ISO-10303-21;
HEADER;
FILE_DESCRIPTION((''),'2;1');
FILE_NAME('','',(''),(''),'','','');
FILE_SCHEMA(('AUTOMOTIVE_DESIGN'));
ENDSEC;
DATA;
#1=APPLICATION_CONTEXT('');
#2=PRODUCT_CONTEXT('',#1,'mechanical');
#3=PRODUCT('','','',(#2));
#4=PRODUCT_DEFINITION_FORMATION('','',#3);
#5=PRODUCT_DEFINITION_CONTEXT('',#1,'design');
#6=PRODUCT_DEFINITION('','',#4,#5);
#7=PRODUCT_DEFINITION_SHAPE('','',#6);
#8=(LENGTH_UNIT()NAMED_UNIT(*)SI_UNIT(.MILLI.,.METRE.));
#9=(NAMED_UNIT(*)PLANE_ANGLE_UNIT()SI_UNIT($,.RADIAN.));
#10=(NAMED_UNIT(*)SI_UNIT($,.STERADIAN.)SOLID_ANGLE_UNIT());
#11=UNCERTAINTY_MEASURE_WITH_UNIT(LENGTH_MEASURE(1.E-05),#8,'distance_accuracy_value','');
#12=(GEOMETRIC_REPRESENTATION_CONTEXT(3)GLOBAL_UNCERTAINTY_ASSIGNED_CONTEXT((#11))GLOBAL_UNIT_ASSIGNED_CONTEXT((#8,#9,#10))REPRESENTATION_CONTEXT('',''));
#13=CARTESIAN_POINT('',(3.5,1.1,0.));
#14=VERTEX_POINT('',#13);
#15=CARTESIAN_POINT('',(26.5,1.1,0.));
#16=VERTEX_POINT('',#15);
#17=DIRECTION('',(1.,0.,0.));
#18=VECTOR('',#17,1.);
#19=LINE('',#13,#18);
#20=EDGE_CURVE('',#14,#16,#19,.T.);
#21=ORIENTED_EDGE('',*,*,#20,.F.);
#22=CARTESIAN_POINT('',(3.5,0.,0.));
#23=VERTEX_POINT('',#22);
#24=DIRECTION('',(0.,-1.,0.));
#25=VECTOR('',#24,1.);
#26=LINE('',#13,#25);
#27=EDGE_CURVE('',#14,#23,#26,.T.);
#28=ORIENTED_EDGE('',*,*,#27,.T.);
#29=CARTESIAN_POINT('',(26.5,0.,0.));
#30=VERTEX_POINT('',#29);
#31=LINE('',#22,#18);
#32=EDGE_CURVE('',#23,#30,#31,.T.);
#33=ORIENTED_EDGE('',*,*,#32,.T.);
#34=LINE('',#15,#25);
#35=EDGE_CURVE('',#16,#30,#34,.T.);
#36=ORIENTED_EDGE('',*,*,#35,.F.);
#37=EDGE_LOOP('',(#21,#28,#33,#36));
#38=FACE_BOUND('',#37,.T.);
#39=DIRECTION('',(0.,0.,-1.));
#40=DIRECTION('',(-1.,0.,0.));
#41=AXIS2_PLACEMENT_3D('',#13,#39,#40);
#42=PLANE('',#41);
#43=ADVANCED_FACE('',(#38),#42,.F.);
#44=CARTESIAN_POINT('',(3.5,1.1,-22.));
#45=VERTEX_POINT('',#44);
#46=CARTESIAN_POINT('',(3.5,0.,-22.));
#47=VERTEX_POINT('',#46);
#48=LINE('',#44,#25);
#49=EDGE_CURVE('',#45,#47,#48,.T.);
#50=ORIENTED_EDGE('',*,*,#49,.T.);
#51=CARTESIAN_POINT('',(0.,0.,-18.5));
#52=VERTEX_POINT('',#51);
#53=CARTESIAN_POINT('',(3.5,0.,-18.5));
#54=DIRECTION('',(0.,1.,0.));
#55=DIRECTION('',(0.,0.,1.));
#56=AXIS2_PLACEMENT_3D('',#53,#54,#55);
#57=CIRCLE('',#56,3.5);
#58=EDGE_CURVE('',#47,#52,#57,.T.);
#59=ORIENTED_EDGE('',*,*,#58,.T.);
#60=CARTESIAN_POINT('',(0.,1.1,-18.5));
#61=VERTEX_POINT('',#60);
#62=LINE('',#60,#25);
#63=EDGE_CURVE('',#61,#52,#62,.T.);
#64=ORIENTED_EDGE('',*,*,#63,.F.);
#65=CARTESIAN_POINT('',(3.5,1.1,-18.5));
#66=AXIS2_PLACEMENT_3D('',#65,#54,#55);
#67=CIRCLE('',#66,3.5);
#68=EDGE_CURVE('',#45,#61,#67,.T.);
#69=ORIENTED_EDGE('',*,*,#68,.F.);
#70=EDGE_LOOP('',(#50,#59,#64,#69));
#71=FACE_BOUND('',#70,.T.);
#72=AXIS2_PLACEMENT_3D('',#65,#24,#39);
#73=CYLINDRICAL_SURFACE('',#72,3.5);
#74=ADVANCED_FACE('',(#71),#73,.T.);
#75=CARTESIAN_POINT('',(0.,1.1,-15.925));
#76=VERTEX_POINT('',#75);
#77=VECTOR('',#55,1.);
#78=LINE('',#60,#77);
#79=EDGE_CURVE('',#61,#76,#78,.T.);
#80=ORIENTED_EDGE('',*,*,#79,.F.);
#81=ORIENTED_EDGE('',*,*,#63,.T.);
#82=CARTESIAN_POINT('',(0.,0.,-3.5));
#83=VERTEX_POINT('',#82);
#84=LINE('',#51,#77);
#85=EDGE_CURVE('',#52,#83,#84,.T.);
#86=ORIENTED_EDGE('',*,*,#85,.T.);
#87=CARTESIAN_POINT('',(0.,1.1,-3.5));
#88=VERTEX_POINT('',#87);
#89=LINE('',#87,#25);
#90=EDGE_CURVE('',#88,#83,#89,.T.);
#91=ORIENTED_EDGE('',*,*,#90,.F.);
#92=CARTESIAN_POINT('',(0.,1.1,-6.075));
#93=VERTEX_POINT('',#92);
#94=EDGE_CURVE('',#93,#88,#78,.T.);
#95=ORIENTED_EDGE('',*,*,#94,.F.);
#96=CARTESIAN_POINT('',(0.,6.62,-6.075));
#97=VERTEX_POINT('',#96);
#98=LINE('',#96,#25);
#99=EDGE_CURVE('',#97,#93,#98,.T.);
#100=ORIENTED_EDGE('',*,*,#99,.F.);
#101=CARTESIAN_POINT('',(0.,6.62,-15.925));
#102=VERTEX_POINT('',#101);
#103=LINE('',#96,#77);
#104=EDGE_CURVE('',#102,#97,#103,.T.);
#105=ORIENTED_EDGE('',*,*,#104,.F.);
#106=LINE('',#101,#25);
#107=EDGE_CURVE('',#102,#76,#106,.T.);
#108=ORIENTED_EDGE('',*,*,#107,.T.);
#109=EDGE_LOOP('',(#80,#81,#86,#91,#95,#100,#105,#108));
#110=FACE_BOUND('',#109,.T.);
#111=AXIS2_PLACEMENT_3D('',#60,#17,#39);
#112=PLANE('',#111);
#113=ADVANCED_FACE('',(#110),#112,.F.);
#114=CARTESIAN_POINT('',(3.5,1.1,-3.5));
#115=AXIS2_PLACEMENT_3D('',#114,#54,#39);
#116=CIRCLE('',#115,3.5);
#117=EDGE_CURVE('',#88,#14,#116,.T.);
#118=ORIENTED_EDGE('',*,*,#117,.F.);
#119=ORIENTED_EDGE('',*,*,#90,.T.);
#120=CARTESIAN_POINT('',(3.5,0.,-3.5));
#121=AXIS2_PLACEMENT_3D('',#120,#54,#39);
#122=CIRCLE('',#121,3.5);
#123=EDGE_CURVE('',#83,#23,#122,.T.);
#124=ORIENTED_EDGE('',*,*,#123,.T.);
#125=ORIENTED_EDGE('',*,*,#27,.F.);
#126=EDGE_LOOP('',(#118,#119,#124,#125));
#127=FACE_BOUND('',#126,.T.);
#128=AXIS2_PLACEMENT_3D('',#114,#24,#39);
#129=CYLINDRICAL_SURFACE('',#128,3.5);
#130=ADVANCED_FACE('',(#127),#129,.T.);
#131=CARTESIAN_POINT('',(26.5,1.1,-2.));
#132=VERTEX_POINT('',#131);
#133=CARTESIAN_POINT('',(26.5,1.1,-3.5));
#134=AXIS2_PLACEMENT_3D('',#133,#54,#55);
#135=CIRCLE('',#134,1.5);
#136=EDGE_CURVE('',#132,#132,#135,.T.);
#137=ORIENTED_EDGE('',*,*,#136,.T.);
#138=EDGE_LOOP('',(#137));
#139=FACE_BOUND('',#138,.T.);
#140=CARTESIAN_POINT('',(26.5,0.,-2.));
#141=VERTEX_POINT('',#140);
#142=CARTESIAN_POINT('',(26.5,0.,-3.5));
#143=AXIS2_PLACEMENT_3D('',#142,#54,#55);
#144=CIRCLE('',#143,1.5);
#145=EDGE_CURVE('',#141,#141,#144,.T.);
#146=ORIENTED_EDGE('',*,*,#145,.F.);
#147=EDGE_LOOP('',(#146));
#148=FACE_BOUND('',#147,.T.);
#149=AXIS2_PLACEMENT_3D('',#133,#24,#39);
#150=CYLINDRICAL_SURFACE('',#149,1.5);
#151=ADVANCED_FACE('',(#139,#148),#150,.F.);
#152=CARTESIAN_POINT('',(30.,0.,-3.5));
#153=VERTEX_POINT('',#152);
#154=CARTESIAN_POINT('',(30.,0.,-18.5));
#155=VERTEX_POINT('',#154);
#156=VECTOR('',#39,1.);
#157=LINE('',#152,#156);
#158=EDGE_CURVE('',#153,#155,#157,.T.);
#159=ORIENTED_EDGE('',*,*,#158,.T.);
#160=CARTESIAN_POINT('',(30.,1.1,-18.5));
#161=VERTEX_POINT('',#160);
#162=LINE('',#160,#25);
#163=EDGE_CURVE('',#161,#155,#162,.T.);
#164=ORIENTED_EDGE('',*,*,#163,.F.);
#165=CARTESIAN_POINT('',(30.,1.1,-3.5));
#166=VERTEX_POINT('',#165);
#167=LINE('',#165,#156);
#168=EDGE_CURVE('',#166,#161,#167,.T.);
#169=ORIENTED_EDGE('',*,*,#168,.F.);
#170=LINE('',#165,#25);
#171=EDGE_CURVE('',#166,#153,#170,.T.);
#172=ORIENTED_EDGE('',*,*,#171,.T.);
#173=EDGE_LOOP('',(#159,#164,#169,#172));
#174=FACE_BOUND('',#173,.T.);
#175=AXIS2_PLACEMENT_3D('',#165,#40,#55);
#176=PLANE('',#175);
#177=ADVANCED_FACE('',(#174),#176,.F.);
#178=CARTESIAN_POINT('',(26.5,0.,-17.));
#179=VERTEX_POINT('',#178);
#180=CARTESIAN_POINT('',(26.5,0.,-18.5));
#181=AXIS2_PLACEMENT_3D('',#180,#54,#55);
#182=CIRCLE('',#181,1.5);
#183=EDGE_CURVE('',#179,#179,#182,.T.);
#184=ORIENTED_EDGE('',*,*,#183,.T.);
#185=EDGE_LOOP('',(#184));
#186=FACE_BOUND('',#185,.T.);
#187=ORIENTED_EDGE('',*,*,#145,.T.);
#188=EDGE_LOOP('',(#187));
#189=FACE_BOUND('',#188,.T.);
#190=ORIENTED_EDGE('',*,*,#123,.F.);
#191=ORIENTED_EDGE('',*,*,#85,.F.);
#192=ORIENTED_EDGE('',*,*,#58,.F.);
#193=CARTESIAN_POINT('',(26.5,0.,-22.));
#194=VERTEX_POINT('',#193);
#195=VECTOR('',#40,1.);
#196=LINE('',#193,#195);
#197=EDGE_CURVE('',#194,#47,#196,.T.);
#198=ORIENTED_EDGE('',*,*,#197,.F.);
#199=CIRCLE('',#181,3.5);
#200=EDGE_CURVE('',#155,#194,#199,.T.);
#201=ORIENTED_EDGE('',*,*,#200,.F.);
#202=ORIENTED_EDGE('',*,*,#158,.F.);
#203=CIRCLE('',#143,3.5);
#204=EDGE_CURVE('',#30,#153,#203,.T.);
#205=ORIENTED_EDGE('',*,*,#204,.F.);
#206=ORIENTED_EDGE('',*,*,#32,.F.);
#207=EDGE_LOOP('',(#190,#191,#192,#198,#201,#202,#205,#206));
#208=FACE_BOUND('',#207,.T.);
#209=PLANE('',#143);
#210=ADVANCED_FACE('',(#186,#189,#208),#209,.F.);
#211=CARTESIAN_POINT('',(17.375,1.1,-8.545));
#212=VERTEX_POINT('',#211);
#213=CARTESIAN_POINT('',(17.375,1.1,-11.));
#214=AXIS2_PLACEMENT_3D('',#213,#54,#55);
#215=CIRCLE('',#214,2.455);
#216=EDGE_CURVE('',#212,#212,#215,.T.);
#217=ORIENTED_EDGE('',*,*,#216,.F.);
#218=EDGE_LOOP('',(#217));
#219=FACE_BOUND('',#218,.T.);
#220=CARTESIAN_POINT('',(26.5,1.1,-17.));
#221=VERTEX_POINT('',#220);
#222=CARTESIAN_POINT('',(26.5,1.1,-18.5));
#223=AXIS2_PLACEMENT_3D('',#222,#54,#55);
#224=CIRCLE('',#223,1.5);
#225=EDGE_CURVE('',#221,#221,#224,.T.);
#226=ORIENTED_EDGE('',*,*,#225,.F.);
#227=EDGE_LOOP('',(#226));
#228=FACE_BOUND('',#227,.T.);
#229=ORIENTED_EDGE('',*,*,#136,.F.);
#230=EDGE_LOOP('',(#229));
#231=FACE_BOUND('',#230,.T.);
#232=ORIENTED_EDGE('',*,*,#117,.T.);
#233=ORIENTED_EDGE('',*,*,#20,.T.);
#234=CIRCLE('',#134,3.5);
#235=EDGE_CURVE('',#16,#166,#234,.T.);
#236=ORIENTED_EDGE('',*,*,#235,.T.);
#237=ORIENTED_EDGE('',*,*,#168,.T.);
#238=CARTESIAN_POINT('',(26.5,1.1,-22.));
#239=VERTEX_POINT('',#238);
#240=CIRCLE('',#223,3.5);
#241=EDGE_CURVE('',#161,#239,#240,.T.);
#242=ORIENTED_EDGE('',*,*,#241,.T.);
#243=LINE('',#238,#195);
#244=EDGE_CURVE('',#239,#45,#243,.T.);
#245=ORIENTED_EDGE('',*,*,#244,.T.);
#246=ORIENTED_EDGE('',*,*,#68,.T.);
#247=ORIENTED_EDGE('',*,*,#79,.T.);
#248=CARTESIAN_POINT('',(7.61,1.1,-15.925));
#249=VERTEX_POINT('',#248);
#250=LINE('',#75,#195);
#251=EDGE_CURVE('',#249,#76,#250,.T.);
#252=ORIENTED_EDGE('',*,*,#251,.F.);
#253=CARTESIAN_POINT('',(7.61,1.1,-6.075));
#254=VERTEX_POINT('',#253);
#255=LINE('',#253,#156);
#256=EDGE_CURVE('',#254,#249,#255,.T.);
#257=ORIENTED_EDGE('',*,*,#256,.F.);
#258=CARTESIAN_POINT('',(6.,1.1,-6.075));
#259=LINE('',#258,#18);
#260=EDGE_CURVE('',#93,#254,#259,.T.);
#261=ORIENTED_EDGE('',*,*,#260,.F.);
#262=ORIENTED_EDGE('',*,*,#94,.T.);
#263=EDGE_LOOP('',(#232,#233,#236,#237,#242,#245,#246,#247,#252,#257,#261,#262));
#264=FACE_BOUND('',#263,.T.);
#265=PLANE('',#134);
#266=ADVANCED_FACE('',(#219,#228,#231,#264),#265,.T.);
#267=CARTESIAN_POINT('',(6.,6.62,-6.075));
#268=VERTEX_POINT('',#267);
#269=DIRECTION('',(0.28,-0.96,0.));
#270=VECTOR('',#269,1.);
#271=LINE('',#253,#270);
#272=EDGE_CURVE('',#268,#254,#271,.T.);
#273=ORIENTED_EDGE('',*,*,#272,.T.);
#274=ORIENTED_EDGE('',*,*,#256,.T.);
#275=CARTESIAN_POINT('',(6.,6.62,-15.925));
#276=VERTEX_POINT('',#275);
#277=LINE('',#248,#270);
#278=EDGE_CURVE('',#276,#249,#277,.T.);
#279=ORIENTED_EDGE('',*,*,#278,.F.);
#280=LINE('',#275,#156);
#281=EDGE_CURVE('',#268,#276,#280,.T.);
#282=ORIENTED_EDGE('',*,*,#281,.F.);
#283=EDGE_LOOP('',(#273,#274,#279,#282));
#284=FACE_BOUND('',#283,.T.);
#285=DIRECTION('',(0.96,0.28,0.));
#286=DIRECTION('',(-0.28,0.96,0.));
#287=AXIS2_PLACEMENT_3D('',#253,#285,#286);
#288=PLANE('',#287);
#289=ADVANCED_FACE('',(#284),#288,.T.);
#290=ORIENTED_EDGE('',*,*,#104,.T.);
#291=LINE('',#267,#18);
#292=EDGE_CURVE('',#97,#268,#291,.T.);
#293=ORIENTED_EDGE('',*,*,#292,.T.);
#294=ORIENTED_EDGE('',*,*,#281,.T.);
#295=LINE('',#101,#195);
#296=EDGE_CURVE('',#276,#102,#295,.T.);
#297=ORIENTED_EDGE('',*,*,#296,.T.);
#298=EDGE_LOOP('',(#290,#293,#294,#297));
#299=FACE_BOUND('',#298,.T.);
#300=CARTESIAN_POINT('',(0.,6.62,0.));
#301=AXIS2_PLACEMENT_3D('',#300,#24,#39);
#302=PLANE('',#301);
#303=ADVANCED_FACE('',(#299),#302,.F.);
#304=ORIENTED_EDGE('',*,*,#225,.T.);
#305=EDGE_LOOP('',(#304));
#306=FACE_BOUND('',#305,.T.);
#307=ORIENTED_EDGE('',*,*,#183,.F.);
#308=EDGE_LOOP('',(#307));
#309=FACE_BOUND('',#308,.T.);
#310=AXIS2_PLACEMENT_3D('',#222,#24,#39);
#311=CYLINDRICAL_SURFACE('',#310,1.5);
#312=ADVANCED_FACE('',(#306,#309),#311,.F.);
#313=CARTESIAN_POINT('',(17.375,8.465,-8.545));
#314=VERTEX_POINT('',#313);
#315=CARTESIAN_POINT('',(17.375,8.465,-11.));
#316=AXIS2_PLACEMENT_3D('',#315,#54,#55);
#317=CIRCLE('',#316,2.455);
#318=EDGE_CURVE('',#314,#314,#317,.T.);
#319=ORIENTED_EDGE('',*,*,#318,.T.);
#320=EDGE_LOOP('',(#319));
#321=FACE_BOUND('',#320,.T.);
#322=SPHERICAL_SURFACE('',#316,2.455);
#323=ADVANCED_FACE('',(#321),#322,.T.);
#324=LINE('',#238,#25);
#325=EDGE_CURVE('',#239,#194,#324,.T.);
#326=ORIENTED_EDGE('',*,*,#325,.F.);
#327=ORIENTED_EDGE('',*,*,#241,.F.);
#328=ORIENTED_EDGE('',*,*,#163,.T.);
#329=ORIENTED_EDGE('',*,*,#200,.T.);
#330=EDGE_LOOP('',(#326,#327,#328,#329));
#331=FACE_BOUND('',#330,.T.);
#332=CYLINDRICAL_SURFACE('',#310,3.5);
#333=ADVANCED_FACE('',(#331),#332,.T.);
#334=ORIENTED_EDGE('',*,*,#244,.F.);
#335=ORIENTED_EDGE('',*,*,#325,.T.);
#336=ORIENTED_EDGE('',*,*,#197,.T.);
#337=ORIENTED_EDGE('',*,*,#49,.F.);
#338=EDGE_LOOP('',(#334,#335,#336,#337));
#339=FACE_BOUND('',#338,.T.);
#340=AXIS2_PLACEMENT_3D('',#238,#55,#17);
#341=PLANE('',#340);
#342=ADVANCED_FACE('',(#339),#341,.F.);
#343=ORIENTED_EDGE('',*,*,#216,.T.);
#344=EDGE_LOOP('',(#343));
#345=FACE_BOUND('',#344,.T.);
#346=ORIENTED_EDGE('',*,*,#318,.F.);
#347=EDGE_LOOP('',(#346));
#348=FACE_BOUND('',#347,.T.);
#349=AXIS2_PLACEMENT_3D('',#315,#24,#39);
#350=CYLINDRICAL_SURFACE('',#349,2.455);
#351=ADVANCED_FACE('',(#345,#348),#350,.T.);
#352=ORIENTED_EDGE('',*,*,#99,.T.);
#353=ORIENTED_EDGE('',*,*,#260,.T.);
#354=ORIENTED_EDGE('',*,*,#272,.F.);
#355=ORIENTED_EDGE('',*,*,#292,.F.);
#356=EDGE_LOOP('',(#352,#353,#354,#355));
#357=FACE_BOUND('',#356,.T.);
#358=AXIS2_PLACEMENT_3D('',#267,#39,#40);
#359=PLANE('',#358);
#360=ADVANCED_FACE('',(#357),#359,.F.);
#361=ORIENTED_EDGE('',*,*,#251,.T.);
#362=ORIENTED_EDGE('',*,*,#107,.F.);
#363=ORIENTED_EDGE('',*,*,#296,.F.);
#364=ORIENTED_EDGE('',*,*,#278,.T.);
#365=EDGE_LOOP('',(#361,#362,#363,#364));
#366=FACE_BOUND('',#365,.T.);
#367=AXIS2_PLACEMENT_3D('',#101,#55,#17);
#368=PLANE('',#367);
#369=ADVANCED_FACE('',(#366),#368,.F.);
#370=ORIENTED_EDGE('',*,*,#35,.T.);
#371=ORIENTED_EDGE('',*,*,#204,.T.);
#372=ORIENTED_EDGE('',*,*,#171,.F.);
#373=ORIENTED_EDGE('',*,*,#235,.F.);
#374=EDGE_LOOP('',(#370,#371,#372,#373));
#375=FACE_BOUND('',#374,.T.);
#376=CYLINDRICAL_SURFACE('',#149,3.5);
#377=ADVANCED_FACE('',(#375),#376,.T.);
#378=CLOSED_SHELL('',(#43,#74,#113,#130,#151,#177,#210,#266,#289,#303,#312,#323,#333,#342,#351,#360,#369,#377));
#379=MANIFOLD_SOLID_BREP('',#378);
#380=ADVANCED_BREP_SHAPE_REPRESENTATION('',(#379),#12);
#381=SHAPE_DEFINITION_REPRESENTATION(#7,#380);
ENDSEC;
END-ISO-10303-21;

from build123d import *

# Parameters (mm, degrees)
SKETCH1_R           = 1.5
BOSS_EXTRUDE1_DEPTH = 1.1
SKETCH2_R           = 2.455
BOSS_EXTRUDE2_DEPTH = 7.365
DOME1_FACE_RADIUS   = 2.455
DOME1_HEIGHT        = 2.455
SKETCH9_W           = 6
SKETCH9_H           = 9.85
BOSS_EXTRUDE3_DEPTH = 5.52
BOSS_EXTRUDE4_DEPTH = 9.85


with BuildPart() as part:
    # Sketch1 → Boss-Extrude1 (new body)
    with BuildSketch(Plane(origin=(0, 0, 0), x_dir=(1, 0, 0), z_dir=(0, 1, 0))):
        with BuildLine():
            Line((3.5, 0), (26.5, 0))
            ThreePointArc((26.5, 0), (28.974873734, 1.025126266), (30, 3.5))
            Line((30, 3.5), (30, 18.5))
            ThreePointArc((30, 18.5), (28.974873734, 20.974873734), (26.5, 22))
            Line((26.5, 22), (3.5, 22))
            ThreePointArc((3.5, 22), (1.025126266, 20.974873734), (0, 18.5))
            Line((0, 18.5), (0, 3.5))
            ThreePointArc((0, 3.5), (1.025126266, 1.025126266), (3.5, 0))
        make_face()
        with Locations(Location((26.5, 18.5, 0), (0, 0, 270))):
            Circle(SKETCH1_R, mode=Mode.SUBTRACT)
        with Locations(Location((26.5, 3.5, 0), (0, 0, 270))):
            Circle(SKETCH1_R, mode=Mode.SUBTRACT)
    extrude(amount=BOSS_EXTRUDE1_DEPTH)

    # Sketch2 → Boss-Extrude2 (add)
    with BuildSketch(Plane(origin=(0, 1.1, 0), x_dir=(1, 0, 0), z_dir=(0, 1, 0))):
        with Locations(Location((17.375, 11, 0), (0, 0, 270))):
            Circle(SKETCH2_R)
    extrude(amount=BOSS_EXTRUDE2_DEPTH)

    # Dome1: a dome of height H over a round flat face of radius A is a cap of a sphere of radius (A * A + H * H) / (2 * H)
    dome1_r = (DOME1_FACE_RADIUS * DOME1_FACE_RADIUS + DOME1_HEIGHT * DOME1_HEIGHT) / (2 * DOME1_HEIGHT)
    dome1_base = Plane((17.375, 8.465, -11), z_dir=(0, 1, 0))
    with Locations(dome1_base.offset(DOME1_HEIGHT - dome1_r)):
        dome1_ball = Sphere(dome1_r, mode=Mode.PRIVATE)
    add(split(dome1_ball, bisect_by=dome1_base, keep=Keep.TOP, mode=Mode.PRIVATE))

    # Sketch9 → Boss-Extrude3 (add)
    with BuildSketch(Plane(origin=(0, 1.1, 0), x_dir=(1, 0, 0), z_dir=(0, 1, 0))):
        with Locations((3, 11)):
            Rectangle(SKETCH9_W, SKETCH9_H)
    extrude(amount=BOSS_EXTRUDE3_DEPTH)

    # Sketch11 → Boss-Extrude4 (add)
    with BuildSketch(Plane(origin=(0, 0, -15.925), x_dir=(-1, 0, 0), z_dir=(0, 0, -1))):
        Polygon((0, 1.1), (-7.61, 1.1), (-6, 6.62), (0, 6.62), align=None)
    extrude(amount=-BOSS_EXTRUDE4_DEPTH)


solid = part.part
